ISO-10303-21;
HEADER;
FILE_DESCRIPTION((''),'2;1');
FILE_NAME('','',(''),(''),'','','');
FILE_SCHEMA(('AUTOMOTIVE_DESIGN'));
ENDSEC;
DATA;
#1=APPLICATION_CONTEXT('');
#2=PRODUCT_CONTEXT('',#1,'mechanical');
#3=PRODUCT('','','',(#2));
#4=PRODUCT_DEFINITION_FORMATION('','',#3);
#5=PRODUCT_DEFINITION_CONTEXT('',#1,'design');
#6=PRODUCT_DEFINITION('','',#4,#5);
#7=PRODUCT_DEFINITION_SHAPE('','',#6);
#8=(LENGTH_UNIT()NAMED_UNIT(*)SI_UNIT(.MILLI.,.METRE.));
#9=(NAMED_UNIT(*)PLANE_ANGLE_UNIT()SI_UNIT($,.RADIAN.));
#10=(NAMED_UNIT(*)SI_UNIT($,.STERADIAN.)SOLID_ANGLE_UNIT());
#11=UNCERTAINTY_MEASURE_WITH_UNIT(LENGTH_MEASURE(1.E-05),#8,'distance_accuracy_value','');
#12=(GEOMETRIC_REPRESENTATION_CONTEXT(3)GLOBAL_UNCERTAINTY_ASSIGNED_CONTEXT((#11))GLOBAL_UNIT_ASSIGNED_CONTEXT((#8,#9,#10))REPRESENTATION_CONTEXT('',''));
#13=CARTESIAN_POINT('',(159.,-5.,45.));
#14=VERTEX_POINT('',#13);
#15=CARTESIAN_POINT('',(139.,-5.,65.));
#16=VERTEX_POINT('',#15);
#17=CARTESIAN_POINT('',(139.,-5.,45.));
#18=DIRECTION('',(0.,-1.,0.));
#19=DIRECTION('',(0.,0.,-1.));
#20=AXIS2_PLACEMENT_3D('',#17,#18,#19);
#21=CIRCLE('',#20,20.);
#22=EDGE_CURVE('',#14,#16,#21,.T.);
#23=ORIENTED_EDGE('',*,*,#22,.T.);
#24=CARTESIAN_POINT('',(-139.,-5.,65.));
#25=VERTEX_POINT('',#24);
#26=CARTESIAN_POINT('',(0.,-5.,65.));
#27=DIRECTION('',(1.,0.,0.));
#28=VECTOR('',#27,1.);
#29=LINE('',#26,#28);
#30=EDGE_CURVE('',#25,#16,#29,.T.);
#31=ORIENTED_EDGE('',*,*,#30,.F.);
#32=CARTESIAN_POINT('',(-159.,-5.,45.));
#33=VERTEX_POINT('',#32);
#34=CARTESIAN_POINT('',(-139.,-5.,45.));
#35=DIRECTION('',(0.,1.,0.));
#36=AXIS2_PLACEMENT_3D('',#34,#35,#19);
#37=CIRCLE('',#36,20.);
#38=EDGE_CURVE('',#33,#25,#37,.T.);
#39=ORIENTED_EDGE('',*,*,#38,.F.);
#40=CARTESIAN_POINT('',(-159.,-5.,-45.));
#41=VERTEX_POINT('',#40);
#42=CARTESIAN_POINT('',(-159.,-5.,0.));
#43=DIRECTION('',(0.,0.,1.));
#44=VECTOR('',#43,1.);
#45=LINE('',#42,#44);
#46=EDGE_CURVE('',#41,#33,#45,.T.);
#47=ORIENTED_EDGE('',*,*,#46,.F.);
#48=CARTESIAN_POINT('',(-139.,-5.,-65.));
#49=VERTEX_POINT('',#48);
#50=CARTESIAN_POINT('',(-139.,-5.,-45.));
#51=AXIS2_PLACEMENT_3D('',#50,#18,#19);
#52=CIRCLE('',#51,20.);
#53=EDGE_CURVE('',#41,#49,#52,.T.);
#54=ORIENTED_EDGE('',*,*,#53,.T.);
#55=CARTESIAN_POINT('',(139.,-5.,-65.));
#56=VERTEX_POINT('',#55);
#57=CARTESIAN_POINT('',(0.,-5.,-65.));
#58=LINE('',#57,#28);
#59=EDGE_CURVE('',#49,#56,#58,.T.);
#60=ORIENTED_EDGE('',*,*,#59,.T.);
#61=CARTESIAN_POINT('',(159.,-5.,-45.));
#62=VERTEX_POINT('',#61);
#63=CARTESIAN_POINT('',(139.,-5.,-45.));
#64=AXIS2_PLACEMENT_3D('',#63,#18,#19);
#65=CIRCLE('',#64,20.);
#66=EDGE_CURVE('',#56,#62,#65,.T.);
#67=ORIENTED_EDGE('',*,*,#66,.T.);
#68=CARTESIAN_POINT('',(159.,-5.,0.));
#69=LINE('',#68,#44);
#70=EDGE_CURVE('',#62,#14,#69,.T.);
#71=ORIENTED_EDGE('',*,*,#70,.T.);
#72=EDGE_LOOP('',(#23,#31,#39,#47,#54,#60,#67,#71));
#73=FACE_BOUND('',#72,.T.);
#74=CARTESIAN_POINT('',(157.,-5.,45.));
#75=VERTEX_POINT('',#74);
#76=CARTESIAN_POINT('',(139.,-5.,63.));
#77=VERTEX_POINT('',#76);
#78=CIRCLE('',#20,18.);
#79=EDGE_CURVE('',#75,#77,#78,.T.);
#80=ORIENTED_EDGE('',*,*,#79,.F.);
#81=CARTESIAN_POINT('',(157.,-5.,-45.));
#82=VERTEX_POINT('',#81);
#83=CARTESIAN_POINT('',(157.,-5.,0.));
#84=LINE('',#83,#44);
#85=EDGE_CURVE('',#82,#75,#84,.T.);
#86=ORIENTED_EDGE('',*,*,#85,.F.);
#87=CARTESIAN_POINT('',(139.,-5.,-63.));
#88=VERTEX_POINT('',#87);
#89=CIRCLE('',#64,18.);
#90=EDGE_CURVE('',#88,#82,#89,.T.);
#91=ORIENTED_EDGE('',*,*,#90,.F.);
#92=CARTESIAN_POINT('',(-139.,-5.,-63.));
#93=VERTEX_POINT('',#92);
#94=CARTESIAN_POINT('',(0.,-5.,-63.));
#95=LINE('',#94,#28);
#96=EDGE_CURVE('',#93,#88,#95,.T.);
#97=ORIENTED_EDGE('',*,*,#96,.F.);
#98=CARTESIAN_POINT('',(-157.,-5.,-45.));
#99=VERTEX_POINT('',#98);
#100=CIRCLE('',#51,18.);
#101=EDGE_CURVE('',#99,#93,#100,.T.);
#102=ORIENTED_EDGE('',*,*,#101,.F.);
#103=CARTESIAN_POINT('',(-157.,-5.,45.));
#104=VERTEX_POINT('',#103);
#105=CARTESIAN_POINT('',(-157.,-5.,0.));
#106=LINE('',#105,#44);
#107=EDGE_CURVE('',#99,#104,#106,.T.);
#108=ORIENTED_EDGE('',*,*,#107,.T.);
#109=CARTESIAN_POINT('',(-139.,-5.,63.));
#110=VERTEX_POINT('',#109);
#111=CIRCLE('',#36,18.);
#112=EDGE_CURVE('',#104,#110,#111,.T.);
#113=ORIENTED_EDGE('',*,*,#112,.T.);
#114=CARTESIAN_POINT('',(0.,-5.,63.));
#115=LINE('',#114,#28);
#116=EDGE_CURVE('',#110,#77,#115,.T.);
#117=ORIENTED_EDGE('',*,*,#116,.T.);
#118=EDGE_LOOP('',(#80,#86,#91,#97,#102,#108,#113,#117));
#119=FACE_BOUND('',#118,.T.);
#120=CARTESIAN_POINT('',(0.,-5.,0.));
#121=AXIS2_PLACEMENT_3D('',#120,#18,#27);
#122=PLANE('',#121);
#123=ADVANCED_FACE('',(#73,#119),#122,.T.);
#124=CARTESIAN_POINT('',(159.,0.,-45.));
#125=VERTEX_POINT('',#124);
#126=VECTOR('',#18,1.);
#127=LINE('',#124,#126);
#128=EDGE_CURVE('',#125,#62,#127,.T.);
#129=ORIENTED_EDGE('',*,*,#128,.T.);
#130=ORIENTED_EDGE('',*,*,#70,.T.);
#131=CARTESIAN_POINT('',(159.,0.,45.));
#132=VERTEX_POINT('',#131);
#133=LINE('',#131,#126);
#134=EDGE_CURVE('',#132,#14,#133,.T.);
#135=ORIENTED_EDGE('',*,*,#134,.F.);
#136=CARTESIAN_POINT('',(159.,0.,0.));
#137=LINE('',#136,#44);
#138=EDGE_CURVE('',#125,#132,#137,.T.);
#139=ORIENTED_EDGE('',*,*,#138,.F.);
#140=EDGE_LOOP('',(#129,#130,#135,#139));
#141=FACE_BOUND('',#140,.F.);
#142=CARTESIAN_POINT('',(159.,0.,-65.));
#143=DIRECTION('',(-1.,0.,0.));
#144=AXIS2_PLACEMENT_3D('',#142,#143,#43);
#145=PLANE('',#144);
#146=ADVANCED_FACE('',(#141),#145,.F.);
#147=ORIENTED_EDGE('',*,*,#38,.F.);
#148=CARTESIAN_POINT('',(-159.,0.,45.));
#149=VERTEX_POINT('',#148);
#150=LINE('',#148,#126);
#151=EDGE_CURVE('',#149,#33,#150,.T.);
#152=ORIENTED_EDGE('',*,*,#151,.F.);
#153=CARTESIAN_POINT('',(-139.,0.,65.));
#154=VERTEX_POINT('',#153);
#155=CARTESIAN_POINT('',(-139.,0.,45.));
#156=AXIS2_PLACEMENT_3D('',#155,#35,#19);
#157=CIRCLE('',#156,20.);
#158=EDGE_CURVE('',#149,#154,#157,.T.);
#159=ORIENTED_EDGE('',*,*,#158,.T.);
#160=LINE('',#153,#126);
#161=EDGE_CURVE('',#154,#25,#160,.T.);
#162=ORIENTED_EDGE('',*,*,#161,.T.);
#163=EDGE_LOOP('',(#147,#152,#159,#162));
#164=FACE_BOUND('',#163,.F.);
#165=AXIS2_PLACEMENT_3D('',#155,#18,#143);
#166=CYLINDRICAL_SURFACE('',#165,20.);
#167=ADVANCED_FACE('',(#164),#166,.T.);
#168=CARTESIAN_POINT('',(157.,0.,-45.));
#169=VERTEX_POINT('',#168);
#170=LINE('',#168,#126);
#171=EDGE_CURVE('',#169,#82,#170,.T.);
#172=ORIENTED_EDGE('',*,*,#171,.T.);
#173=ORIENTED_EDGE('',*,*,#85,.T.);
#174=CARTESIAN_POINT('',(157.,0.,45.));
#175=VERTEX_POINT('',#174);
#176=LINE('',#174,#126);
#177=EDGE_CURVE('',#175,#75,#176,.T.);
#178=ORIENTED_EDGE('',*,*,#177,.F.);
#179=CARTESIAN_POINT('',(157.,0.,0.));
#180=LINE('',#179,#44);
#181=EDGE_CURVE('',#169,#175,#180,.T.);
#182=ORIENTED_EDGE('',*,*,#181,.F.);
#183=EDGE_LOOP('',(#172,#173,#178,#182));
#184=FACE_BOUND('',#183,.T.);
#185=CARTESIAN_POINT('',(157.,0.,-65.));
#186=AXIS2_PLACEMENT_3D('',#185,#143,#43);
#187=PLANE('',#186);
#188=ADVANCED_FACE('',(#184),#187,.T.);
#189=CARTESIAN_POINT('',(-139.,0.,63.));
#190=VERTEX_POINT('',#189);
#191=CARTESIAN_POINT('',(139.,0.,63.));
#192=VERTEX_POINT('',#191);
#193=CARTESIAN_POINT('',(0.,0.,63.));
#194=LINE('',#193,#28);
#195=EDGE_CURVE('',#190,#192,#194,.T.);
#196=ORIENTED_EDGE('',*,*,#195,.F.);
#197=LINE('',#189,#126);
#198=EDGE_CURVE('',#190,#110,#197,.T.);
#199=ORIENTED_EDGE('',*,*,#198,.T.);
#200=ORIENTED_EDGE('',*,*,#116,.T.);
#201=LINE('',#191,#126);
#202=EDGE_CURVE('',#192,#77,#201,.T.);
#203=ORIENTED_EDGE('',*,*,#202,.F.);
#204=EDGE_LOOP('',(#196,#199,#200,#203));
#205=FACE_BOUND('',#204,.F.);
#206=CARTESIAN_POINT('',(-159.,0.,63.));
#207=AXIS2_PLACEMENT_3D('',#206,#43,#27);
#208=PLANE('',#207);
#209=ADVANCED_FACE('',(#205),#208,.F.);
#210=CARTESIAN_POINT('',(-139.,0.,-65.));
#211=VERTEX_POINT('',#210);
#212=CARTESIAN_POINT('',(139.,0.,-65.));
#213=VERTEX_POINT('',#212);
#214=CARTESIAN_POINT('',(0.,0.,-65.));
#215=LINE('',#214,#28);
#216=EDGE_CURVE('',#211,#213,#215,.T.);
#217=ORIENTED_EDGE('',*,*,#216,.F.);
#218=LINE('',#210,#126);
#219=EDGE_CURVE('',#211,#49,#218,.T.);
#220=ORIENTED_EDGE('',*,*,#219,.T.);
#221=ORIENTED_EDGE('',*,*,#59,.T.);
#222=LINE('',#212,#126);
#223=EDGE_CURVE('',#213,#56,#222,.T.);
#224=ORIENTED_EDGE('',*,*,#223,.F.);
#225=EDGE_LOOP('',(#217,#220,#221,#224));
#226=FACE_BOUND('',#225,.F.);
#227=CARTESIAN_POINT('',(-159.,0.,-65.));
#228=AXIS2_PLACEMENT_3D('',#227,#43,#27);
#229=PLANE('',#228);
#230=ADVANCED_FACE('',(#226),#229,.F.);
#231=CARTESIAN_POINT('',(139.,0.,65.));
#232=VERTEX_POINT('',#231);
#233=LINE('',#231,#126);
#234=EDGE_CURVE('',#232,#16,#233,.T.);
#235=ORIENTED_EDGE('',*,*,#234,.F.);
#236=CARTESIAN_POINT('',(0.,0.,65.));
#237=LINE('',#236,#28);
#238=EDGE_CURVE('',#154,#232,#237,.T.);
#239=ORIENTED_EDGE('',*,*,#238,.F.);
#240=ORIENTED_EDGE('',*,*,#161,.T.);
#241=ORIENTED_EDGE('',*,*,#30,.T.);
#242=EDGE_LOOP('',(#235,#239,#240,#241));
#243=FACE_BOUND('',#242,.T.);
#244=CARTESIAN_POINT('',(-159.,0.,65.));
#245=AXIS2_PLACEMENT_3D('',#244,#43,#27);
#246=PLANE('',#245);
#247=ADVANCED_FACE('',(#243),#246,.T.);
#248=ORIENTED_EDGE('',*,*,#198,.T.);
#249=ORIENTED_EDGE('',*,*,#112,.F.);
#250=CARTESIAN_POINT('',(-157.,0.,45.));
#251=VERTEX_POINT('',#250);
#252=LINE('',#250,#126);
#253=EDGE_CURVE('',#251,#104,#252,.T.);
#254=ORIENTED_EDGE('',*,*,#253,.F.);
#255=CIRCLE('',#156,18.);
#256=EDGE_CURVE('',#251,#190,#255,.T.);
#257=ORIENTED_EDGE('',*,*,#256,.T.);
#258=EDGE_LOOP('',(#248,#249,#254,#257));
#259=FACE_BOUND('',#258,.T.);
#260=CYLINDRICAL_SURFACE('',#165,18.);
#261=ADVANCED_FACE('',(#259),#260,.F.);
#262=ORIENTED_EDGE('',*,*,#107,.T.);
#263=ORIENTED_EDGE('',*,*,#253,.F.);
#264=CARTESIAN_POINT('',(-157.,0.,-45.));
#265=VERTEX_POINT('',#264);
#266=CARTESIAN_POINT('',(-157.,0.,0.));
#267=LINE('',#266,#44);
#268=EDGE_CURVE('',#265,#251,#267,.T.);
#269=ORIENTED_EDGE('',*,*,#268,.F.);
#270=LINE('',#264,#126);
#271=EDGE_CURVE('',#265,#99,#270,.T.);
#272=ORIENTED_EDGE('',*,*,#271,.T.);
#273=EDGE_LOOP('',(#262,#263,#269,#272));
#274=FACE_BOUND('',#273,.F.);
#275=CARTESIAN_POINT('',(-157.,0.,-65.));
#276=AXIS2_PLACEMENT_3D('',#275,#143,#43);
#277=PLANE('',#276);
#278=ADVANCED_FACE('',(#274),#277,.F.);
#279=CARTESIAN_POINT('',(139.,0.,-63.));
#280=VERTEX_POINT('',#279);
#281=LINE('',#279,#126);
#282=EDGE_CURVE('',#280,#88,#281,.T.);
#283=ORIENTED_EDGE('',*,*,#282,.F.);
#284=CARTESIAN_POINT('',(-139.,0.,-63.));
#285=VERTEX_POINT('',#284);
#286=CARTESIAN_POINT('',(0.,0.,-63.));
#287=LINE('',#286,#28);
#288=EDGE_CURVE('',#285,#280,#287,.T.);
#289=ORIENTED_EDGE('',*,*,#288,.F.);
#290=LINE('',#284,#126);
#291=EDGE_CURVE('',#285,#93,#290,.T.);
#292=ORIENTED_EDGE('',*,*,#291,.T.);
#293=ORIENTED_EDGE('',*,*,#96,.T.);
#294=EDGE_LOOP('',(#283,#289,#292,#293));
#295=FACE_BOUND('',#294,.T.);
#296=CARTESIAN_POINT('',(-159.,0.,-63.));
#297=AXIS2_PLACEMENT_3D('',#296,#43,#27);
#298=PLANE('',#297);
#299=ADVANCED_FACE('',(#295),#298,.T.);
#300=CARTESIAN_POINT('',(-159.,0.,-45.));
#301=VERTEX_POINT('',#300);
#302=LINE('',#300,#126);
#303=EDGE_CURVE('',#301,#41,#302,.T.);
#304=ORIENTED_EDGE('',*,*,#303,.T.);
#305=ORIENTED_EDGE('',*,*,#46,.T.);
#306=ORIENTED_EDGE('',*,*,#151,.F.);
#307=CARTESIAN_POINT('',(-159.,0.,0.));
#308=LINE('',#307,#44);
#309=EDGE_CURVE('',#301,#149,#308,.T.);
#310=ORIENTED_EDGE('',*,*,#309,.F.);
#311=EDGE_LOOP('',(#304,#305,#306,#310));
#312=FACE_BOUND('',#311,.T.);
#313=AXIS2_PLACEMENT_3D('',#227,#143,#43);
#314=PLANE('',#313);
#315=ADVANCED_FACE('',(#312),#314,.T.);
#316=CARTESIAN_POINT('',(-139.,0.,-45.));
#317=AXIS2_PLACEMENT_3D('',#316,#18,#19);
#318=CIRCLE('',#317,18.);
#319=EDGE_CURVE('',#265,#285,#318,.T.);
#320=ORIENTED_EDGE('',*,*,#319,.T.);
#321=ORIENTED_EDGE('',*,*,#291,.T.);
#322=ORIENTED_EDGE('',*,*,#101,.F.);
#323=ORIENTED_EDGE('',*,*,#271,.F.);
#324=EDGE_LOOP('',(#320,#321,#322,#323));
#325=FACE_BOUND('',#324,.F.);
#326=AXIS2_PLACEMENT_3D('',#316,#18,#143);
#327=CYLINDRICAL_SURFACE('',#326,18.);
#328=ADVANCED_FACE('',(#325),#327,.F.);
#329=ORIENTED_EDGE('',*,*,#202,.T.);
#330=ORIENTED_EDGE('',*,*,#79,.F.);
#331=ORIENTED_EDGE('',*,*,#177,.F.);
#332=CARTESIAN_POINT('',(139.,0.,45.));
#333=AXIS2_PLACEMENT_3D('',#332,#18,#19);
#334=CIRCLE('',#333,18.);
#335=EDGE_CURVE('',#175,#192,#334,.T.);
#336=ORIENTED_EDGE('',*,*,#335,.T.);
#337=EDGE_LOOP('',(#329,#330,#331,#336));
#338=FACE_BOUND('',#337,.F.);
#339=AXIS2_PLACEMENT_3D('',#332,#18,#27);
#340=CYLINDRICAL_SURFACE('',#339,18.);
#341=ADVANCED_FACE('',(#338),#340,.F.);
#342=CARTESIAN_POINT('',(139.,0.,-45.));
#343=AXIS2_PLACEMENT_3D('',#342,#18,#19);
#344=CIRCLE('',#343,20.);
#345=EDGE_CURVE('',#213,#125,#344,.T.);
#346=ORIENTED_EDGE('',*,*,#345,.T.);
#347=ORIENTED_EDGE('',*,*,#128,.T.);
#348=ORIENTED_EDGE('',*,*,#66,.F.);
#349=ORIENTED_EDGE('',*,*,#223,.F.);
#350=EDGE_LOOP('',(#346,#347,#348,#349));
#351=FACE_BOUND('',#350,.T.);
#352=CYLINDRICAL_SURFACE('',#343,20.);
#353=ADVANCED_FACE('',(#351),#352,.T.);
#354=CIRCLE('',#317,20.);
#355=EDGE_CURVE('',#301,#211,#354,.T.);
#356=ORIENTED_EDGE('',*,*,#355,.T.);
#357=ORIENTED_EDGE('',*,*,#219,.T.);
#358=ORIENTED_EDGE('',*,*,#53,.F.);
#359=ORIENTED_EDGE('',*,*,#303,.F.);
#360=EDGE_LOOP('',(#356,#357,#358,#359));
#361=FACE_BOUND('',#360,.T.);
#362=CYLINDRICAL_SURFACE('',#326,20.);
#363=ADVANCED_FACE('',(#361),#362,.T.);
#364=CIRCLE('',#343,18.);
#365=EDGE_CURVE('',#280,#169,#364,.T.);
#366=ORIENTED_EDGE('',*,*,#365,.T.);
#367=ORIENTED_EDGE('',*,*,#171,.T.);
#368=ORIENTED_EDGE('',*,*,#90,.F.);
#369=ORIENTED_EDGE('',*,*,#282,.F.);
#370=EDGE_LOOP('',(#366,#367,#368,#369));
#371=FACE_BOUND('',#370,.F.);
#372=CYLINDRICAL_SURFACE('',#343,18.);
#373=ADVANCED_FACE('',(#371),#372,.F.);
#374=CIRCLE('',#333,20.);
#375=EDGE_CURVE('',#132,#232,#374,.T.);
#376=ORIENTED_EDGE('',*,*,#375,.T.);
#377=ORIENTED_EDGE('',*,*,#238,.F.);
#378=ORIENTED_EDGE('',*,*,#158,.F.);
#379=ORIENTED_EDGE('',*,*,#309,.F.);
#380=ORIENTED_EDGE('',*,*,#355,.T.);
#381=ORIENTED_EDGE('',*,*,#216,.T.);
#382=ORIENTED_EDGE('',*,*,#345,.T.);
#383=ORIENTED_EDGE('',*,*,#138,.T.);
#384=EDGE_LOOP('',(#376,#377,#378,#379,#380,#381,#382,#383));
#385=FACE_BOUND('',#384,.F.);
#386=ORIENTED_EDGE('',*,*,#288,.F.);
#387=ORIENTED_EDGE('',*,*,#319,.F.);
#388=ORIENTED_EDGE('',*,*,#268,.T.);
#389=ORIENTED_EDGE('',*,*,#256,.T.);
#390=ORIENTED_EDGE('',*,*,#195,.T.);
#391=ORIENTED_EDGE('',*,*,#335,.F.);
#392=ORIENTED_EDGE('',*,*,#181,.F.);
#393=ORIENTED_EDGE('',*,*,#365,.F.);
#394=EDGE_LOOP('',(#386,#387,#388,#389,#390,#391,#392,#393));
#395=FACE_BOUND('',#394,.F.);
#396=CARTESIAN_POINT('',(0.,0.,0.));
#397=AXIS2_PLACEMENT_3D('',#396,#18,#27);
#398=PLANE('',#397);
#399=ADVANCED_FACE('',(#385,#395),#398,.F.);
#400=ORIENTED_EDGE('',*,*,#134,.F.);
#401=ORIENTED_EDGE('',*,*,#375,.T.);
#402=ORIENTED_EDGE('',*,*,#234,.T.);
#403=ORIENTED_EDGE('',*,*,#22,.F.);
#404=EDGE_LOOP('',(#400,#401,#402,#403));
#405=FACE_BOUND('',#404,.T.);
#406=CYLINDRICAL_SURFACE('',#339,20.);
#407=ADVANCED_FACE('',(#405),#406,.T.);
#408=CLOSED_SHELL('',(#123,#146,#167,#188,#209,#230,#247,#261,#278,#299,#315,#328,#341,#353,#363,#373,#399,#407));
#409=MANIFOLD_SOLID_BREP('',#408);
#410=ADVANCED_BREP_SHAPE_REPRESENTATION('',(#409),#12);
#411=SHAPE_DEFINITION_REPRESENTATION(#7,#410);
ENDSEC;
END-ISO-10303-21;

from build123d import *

# Parameters (mm, degrees)
F0_W     = 318
F0_H     = 130
F1_DEPTH = 5
F2_R     = 20
F3_T     = -2


with BuildPart() as f1:
    # F0 (on Front) → F1 (new body)
    with BuildSketch(Plane.XZ):
        Rectangle(F0_W, F0_H)
    extrude(amount=F1_DEPTH)

    # F2
    f2_edges = [f1.edges().sort_by_distance(p)[0] for p in [
        (-159, -2.5, -65),
        (159, -2.5, -65),
        (159, -2.5, 65),
        (-159, -2.5, 65),
    ]]
    fillet(f2_edges, radius=F2_R)

    # F3
    f3_openings = [f1.faces().sort_by_distance(p)[0] for p in [
        (0, -5, 0),
        (0, 0, 0),
    ]]
    offset(amount=F3_T, openings=f3_openings)


solid = f1.part
